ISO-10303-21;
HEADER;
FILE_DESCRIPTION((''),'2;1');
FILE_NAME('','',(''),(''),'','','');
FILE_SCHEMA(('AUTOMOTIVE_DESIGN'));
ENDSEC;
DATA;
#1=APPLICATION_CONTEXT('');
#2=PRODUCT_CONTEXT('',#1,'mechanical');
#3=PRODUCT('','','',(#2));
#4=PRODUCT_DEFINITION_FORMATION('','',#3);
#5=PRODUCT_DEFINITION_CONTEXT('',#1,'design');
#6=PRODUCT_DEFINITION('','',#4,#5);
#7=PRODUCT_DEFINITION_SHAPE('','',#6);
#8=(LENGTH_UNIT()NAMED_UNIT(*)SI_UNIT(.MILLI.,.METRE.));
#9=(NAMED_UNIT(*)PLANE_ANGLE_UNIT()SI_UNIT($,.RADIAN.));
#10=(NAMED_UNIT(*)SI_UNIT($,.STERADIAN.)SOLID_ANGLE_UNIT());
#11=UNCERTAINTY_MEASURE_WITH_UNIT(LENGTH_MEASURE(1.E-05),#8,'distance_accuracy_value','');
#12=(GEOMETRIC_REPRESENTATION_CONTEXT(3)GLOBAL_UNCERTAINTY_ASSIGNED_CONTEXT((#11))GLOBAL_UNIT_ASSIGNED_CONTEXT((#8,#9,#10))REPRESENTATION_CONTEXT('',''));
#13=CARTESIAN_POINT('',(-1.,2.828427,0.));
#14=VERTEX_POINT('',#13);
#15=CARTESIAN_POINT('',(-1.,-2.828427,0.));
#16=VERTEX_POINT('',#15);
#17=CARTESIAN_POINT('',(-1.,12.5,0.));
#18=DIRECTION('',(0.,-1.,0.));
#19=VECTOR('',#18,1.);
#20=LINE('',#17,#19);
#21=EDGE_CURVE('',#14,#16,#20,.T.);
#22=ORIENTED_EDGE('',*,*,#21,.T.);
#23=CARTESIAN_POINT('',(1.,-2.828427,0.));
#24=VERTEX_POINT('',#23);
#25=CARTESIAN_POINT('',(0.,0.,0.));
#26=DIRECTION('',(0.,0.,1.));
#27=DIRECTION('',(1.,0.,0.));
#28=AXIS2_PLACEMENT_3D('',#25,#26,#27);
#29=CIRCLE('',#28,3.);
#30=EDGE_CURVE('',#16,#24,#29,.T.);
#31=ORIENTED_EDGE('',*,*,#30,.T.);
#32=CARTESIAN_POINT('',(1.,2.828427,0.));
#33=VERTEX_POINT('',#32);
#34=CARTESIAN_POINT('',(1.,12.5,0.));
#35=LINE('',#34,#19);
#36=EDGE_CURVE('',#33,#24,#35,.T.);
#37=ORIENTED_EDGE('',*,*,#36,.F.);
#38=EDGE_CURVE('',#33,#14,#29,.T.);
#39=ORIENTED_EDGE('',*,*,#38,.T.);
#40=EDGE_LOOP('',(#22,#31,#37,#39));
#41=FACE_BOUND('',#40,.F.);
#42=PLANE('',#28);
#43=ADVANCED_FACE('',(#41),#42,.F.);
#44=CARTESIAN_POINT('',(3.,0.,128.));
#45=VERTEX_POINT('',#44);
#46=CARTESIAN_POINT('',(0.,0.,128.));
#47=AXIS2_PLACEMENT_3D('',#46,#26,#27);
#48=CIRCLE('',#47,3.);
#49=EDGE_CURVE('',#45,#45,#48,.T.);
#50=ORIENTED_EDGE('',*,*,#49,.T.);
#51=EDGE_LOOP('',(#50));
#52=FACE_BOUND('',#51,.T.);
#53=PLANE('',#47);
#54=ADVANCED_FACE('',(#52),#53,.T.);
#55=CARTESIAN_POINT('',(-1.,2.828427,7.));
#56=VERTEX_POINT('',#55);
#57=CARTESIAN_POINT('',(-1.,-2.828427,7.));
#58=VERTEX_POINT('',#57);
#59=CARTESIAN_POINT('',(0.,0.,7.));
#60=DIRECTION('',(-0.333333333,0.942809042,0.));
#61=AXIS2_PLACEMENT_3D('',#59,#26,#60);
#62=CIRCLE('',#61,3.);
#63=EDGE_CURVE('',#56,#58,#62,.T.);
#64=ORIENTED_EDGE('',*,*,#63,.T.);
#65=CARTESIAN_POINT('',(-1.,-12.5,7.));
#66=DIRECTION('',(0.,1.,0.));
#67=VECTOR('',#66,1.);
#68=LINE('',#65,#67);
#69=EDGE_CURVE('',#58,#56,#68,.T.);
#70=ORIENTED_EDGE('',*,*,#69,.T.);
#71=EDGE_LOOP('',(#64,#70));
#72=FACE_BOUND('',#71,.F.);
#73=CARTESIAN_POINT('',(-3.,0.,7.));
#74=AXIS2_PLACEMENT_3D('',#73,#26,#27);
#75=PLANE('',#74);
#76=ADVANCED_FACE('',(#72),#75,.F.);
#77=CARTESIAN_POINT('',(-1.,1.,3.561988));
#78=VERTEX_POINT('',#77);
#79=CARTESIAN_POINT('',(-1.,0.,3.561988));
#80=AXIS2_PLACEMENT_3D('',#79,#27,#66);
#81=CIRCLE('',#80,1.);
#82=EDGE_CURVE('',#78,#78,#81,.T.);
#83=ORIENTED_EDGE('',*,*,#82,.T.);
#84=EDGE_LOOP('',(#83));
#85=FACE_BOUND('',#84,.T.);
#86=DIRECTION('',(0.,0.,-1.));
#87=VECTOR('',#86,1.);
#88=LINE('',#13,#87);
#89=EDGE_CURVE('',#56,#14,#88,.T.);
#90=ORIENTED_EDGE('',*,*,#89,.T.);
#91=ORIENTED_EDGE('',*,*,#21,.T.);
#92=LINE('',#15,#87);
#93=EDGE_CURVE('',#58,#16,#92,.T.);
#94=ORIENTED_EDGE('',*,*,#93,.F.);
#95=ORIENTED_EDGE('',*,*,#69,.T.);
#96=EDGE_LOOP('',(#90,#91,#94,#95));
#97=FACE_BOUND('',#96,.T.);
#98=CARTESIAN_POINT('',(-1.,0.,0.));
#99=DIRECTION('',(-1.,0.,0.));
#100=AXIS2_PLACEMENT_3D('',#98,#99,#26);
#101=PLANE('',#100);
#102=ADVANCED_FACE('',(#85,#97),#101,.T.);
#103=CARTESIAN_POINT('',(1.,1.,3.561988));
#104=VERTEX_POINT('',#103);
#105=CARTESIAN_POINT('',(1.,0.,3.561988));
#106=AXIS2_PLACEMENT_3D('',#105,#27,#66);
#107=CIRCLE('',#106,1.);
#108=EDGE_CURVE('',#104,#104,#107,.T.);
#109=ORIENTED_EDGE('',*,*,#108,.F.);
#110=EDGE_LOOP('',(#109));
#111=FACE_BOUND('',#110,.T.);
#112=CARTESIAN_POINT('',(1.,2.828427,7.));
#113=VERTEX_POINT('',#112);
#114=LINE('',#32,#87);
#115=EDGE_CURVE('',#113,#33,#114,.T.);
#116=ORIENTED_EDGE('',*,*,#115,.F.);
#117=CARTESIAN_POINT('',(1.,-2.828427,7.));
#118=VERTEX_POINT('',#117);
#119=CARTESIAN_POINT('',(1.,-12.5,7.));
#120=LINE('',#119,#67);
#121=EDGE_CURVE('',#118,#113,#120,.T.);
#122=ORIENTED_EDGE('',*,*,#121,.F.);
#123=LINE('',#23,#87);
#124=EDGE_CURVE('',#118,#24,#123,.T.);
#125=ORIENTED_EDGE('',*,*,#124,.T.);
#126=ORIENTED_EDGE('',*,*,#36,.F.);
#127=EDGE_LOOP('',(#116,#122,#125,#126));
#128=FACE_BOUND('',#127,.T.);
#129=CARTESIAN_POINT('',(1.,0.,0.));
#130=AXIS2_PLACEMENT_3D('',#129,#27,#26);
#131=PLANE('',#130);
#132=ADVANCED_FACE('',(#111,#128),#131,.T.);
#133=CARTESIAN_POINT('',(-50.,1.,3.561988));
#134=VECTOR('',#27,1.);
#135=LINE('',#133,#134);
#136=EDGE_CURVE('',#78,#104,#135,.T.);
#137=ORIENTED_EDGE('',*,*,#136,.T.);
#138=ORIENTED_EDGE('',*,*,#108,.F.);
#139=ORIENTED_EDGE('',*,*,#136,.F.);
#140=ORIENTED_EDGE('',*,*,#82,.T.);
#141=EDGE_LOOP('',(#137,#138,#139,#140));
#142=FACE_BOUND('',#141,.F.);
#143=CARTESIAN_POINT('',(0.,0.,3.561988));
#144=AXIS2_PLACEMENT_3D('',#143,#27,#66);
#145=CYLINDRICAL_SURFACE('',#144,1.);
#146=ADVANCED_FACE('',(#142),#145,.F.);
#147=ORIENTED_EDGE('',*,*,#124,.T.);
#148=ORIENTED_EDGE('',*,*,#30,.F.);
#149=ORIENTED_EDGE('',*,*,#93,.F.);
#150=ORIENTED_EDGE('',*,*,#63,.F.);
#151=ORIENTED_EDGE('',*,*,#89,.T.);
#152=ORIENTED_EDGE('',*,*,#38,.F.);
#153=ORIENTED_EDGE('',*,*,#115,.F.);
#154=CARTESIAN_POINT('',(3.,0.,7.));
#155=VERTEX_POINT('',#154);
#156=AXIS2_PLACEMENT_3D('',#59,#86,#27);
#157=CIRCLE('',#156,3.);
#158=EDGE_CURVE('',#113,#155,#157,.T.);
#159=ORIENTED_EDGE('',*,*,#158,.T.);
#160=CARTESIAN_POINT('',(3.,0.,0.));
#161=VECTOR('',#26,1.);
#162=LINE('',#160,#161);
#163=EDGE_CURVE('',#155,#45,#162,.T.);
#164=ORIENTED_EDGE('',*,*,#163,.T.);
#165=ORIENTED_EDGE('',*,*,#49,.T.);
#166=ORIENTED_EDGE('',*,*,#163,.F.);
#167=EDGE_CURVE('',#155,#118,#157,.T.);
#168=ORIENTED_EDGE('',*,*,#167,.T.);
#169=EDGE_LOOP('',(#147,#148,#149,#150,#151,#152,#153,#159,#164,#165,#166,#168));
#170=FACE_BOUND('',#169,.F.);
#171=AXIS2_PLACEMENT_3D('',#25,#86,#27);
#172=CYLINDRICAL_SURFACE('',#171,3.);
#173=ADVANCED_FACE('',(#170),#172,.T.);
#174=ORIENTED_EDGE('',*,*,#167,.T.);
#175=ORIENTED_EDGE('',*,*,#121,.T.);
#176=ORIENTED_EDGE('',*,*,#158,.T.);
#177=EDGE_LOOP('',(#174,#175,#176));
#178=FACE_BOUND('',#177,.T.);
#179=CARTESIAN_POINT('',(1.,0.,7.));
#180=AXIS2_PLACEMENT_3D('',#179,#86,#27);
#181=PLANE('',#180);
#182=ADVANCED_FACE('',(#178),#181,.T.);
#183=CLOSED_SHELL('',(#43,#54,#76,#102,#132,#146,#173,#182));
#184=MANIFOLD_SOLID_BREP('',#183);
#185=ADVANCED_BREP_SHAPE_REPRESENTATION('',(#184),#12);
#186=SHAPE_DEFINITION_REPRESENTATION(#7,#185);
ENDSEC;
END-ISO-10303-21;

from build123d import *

# Parameters (mm, degrees)
F0_R     = 3
F1_DEPTH = 128
F2_W     = 2
F2_H     = 7
F3_DEPTH = 12.5
F4_R     = 1
F5_DEPTH = 50


with BuildPart() as f1:
    # F0 (on Top) → F1 (new body)
    with BuildSketch(Plane.XY):
        Circle(F0_R)
    extrude(amount=F1_DEPTH)

    # F2 (on Front) → F3 (cut, symmetric)
    with BuildSketch(Plane.XZ):
        with Locations((-2, 3.5)):
            Rectangle(F2_W, F2_H)
        with Locations((2, 3.5)):
            Rectangle(F2_W, F2_H)
    extrude(amount=F3_DEPTH, both=True, mode=Mode.SUBTRACT)

    # F4 (on Right) → F5 (cut, symmetric)
    with BuildSketch(Plane.YZ):
        with Locations((0, 3.561988)):
            Circle(F4_R)
    extrude(amount=F5_DEPTH, both=True, mode=Mode.SUBTRACT)


solid = f1.part
